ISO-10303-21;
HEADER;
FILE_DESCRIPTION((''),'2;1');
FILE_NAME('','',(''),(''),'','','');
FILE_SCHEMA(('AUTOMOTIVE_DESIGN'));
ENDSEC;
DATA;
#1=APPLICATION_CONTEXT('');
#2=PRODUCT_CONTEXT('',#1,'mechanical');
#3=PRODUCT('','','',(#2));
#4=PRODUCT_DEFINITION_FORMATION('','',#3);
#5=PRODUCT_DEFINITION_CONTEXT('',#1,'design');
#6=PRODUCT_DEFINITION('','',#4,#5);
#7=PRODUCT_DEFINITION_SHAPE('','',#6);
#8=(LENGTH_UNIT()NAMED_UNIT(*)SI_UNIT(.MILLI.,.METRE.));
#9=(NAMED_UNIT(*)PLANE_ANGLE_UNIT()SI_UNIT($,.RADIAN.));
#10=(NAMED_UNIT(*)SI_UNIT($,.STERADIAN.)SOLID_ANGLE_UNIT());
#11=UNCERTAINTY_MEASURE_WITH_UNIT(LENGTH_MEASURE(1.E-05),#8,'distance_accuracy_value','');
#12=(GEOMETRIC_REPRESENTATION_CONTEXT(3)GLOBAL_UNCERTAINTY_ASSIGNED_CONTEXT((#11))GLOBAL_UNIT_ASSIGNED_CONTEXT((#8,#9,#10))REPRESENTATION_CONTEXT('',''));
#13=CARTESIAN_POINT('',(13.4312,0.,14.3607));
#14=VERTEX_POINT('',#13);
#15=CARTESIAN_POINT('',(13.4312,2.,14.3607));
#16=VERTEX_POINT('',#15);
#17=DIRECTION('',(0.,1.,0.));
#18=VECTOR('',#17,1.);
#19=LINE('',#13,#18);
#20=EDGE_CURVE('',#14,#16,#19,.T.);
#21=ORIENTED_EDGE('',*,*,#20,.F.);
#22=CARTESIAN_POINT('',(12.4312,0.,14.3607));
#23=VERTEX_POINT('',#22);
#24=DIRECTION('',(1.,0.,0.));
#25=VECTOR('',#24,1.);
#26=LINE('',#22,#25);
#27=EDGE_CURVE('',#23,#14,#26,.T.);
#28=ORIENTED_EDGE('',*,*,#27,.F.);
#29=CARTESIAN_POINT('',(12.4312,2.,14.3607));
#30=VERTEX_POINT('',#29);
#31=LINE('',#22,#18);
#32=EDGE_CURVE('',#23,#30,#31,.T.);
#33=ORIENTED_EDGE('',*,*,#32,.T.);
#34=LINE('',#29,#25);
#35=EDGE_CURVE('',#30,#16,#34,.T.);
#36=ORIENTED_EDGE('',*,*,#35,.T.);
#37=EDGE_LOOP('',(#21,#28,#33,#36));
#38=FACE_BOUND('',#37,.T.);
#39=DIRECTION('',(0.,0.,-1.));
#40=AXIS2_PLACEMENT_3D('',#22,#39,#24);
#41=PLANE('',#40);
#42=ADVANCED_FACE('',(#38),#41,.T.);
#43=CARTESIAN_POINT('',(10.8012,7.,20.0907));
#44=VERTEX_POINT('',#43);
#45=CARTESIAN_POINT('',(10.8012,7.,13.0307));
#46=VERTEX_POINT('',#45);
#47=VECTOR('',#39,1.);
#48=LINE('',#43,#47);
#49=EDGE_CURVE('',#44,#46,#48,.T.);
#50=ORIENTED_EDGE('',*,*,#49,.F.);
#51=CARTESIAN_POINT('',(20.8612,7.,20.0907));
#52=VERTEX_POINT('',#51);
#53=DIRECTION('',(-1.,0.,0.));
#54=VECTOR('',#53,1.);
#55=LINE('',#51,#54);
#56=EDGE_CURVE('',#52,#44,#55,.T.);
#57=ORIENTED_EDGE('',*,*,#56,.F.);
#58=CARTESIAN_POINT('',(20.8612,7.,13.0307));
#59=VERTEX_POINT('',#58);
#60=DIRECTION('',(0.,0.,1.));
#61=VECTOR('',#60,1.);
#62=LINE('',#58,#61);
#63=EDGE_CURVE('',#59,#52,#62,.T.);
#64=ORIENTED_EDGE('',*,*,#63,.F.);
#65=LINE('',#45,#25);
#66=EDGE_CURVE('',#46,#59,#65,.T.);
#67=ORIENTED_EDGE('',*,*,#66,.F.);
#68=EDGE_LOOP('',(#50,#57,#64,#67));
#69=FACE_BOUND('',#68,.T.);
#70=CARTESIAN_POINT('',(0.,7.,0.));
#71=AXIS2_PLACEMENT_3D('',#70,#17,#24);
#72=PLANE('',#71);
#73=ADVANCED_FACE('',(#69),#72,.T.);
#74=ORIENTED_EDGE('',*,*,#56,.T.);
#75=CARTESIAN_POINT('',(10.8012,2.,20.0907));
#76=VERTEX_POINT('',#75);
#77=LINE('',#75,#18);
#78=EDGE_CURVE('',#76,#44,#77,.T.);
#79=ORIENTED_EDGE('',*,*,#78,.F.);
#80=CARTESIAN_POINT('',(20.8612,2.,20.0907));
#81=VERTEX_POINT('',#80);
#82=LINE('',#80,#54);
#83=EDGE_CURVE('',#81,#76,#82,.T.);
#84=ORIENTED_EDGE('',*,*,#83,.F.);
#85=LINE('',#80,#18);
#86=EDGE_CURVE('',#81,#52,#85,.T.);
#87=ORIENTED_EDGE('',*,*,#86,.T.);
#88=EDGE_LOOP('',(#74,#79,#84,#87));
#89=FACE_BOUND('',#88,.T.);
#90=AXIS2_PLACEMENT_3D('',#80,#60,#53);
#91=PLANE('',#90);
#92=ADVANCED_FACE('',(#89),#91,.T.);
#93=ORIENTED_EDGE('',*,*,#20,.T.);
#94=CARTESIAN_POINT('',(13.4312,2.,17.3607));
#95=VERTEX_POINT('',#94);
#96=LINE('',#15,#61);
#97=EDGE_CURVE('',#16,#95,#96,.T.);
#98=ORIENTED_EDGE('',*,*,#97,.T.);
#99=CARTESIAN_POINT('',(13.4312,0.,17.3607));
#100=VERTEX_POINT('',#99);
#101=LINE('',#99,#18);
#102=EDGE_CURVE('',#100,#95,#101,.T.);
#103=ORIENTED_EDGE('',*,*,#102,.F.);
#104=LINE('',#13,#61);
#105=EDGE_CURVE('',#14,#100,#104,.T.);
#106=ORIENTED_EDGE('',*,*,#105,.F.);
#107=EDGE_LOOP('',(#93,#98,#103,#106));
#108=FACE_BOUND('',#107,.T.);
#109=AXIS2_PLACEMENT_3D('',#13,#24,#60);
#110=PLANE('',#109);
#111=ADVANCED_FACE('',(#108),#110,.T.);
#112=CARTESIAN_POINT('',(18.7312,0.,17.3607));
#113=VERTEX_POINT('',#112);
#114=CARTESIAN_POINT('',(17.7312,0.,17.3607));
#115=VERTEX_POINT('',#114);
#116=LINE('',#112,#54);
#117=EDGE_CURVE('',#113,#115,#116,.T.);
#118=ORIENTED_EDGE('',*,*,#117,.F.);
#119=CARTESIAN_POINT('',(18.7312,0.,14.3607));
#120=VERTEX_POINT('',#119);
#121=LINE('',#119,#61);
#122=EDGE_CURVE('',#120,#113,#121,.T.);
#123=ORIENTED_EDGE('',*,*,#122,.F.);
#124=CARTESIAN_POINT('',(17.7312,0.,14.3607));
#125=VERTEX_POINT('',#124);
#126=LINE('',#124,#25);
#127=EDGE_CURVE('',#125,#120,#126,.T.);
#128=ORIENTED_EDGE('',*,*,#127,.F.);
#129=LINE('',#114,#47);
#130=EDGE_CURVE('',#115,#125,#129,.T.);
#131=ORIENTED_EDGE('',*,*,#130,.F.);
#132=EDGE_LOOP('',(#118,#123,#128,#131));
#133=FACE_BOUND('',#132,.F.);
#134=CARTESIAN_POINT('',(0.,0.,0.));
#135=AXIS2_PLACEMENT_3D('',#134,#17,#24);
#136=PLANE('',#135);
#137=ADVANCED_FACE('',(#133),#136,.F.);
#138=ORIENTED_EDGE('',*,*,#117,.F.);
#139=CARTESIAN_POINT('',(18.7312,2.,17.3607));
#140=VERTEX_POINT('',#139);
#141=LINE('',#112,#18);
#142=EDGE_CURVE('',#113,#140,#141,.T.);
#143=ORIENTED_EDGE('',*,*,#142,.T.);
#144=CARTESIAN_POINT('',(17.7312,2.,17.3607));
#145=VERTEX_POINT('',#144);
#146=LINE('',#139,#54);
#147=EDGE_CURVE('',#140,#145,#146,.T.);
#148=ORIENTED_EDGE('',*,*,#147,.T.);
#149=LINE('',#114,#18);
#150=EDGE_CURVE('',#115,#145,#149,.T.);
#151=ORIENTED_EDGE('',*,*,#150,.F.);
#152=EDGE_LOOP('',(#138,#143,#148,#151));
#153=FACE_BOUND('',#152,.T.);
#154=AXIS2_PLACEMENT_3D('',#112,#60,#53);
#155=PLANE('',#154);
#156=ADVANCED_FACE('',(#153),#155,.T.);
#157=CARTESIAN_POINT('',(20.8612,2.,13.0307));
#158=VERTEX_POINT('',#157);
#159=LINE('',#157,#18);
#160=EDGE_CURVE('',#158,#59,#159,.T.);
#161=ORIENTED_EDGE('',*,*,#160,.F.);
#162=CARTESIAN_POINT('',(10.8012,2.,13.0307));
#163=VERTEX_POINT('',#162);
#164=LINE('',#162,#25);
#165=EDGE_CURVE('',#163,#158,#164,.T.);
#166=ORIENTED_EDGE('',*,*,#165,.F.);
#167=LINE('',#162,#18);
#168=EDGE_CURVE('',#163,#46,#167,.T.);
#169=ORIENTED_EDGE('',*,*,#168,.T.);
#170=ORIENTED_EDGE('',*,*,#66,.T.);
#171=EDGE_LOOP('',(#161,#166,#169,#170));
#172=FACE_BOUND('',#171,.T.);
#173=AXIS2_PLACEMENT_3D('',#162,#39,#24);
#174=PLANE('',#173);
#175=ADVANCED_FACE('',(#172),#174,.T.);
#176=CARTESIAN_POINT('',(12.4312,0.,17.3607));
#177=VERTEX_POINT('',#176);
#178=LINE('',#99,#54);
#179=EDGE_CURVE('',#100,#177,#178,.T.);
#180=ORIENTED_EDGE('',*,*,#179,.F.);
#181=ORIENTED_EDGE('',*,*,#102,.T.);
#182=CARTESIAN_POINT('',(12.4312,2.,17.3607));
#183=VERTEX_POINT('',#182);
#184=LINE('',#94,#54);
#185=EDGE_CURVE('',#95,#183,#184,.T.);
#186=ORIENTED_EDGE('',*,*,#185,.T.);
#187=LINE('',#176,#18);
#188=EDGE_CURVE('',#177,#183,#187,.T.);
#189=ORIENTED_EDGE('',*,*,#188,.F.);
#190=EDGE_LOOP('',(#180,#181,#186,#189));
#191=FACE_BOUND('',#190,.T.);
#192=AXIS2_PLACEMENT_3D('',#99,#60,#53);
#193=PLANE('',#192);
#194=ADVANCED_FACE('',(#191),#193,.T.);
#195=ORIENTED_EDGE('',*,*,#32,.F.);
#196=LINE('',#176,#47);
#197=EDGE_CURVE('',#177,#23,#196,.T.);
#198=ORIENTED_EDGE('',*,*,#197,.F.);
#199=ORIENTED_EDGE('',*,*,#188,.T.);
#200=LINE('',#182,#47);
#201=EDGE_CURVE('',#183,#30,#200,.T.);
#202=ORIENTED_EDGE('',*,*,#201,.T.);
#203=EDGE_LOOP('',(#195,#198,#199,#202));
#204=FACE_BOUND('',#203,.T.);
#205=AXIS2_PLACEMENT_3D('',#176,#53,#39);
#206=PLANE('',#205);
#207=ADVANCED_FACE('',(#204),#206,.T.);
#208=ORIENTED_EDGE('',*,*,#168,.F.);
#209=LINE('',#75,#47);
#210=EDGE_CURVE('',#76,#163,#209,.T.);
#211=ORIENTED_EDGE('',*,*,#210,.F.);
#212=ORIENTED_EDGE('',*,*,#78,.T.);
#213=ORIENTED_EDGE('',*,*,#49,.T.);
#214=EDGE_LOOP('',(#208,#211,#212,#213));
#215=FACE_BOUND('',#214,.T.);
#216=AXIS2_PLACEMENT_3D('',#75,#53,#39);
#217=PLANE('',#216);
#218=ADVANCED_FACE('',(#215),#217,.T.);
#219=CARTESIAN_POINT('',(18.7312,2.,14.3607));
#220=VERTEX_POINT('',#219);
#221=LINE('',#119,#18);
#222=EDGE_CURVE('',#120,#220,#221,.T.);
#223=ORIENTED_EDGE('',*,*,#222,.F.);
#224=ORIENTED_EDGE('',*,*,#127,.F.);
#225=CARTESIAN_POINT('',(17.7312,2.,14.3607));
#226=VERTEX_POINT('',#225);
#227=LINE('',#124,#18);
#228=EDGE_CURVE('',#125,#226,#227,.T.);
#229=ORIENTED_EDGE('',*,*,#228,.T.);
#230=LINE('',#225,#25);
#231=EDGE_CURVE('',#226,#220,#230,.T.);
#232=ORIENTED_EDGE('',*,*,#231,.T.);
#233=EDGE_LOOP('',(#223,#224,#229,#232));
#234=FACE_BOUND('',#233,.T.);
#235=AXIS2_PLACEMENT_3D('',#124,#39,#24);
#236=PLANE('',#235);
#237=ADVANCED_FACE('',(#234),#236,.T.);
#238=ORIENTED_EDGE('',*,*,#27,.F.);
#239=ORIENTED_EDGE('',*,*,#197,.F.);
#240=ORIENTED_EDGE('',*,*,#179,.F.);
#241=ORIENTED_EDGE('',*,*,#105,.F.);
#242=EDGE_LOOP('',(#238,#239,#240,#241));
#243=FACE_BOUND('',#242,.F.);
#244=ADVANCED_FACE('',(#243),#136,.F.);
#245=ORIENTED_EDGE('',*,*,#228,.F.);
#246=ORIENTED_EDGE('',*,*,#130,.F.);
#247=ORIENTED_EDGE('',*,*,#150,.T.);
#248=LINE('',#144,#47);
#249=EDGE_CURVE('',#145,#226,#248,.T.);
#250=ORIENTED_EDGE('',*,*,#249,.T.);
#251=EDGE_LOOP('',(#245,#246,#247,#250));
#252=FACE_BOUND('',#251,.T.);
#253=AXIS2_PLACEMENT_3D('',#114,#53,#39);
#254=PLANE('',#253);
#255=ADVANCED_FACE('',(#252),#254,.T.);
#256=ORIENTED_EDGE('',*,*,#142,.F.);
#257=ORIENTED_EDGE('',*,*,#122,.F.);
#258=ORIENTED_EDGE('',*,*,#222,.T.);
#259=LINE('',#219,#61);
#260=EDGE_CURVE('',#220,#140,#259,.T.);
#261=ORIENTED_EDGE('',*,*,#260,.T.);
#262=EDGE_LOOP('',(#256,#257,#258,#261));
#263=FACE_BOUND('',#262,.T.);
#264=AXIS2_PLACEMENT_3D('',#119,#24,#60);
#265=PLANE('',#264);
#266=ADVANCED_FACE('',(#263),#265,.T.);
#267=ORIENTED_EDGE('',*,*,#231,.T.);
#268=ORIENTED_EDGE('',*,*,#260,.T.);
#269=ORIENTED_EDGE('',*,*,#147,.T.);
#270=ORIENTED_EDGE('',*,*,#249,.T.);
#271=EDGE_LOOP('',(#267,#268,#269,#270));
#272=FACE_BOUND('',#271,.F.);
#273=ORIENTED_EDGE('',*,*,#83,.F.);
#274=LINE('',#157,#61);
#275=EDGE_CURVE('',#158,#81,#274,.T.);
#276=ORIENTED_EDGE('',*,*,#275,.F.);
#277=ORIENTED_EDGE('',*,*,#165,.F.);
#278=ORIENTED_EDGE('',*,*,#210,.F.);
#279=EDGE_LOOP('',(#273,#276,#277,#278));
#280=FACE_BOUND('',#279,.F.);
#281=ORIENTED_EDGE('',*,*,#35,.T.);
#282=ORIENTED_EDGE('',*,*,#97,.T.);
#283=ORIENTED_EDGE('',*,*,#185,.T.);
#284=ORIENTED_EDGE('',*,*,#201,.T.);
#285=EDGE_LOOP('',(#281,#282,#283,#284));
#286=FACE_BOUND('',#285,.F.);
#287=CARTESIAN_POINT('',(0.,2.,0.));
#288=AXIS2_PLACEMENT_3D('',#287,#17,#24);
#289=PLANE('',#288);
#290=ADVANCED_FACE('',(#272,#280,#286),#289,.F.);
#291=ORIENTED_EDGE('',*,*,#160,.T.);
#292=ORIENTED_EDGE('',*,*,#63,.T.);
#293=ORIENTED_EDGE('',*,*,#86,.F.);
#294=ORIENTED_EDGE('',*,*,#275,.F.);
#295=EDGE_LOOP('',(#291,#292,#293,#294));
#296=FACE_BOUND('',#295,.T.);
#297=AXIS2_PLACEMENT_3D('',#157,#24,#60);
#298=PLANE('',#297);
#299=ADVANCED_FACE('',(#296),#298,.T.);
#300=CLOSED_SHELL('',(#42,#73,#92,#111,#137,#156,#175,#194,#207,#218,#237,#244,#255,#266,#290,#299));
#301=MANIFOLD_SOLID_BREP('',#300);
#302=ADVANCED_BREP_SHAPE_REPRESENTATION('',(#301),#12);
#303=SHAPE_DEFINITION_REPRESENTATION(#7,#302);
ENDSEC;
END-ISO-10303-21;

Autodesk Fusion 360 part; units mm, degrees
sketch "Sketch1" plane through (0, 0, 0) normal (0, 1, 0) x (1, 0, 0)
  line L0 (12.4312, -14.3607) -> (13.4312, -14.3607)
  line L1 (13.4312, -14.3607) -> (13.4312, -17.3607)
  line L2 (13.4312, -17.3607) -> (12.4312, -17.3607)
  line L3 (12.4312, -17.3607) -> (12.4312, -14.3607)
  line L4 (12.9312, -14.3607) -> (12.9312, -17.3607) construction
  line L5 (12.4312, -15.8607) -> (13.4312, -15.8607) construction
  line L6 (13.4312, -15.8607) -> (18.2312, -15.8607) construction
  line L7 (18.2312, -14.3607) -> (18.2312, -17.3607) construction
  line L8 (17.7312, -14.3607) -> (18.7312, -14.3607)
  line L9 (18.7312, -14.3607) -> (18.7312, -17.3607)
  line L10 (18.7312, -17.3607) -> (17.7312, -17.3607)
  line L11 (17.7312, -17.3607) -> (17.7312, -14.3607)
  line L12 (9.8312, -10.8607) -> (21.8312, -10.8607)
  line L13 (21.8312, -10.8607) -> (21.8312, -22.2607)
  line L14 (21.8312, -22.2607) -> (9.8312, -22.2607)
  line L15 (9.8312, -22.2607) -> (9.8312, -10.8607)
  line L16 (15.8312, -10.8607) -> (15.8312, -22.2607) construction
  line L17 (21.8312, -16.5607) -> (9.8312, -16.5607) construction
  line L18 (10.0312, -12.2607) -> (21.6312, -12.2607)
  line L19 (21.6312, -12.2607) -> (21.6312, -20.8607)
  line L20 (21.6312, -20.8607) -> (10.0312, -20.8607)
  line L21 (10.0312, -20.8607) -> (10.0312, -12.2607)
  line L22 (10.8012, -13.0307) -> (20.8612, -13.0307)
  line L23 (20.8612, -13.0307) -> (20.8612, -20.0907)
  line L24 (20.8612, -20.0907) -> (10.8012, -20.0907)
  line L25 (10.8012, -20.0907) -> (10.8012, -13.0307)
  point P0 (15.8312, -15.8607)
  point P1 (21.6312, -16.5607)
  point P2 (15.8312, -12.2607)
  dimension "d3" = 1
  dimension "d4" = 3
  dimension "d6" = 1
  dimension "d7" = 3
  dimension "d8" = 5.3
  dimension "d9" = 12
  dimension "d10" = 11.4
  dimension "d11" = 5
  dimension "d14" = 11.6
  dimension "d15" = 8.6
  dimension "d17" = 0.77
  dimension "d18" = 0.77
  dimension "d19" = 0.77
  dimension "d20" = 0.77
extrude "Extrude1" add sketch "Sketch1" along normal blind 2 contours L0 L1 L2 L3 | L8 L9 L10 L11 makes body 1 at (13.4312, 0.6667, 15.3607) makes body 2 at (18.7312, 0.6667, 15.3607)
extrude "Extrude2" add sketch "Sketch1" along normal blind 5 from surface at 2 contours L0 L1 L2 L3 | L8 L9 L10 L11 | L22 L23 L24 L25 bodies 1 2
fillet "Fillet1" [suppressed]
sketch "Sketch2" plane through (0, 7, 0) normal (0, 1, 0) x (-1, 0, 0)
  line L0 (-16.9627, 13.8658) -> (-16.9627, 19.7076) construction
  line L1 (-16.9627, 19.7076) -> (-20.9627, 19.7076) construction
  line L2 (-20.9627, 19.7076) -> (-20.9627, 13.8658) construction
  line L3 (-20.9627, 13.8658) -> (-16.9627, 13.8658) construction
  line L4 (-11.5741, 13.8658) -> (-11.5741, 19.7076) construction
  line L5 (-11.5741, 19.7076) -> (-15.5741, 19.7076) construction
  line L6 (-15.5741, 19.7076) -> (-15.5741, 13.8658) construction
  line L7 (-15.5741, 13.8658) -> (-11.5741, 13.8658) construction
  line L8 (-10.8012, 13.0307) -> (-10.8012, 20.0907)
  line L9 (-10.8012, 20.0907) -> (-20.8612, 20.0907)
  line L10 (-20.8612, 20.0907) -> (-20.8612, 13.0307)
  line L11 (-20.8612, 13.0307) -> (-10.8012, 13.0307)
extrude "Extrude3" [suppressed]
extrude "Extrude4" [suppressed]
equation "PostW = 1 mm"
equation "PostH = 3 mm"
equation "d3 = PostW"
equation "d4 = PostH"
equation "d6 = PostW"
equation "d7 = PostH"
equation "HoleW = 8.6 mm"
equation "HoleH = 11.6 mm"
equation "d14 = HoleH"
equation "d15 = HoleW"
equation "HoleTol = 0.77 mm"
equation "d17 = HoleTol"
equation "d18 = HoleTol"
equation "d19 = HoleTol"
equation "d20 = HoleTol"
equation "CapD = 5 mm"
equation "PostD = 2 mm"
equation "d23 = PostD"
equation "d26 = CapD"
